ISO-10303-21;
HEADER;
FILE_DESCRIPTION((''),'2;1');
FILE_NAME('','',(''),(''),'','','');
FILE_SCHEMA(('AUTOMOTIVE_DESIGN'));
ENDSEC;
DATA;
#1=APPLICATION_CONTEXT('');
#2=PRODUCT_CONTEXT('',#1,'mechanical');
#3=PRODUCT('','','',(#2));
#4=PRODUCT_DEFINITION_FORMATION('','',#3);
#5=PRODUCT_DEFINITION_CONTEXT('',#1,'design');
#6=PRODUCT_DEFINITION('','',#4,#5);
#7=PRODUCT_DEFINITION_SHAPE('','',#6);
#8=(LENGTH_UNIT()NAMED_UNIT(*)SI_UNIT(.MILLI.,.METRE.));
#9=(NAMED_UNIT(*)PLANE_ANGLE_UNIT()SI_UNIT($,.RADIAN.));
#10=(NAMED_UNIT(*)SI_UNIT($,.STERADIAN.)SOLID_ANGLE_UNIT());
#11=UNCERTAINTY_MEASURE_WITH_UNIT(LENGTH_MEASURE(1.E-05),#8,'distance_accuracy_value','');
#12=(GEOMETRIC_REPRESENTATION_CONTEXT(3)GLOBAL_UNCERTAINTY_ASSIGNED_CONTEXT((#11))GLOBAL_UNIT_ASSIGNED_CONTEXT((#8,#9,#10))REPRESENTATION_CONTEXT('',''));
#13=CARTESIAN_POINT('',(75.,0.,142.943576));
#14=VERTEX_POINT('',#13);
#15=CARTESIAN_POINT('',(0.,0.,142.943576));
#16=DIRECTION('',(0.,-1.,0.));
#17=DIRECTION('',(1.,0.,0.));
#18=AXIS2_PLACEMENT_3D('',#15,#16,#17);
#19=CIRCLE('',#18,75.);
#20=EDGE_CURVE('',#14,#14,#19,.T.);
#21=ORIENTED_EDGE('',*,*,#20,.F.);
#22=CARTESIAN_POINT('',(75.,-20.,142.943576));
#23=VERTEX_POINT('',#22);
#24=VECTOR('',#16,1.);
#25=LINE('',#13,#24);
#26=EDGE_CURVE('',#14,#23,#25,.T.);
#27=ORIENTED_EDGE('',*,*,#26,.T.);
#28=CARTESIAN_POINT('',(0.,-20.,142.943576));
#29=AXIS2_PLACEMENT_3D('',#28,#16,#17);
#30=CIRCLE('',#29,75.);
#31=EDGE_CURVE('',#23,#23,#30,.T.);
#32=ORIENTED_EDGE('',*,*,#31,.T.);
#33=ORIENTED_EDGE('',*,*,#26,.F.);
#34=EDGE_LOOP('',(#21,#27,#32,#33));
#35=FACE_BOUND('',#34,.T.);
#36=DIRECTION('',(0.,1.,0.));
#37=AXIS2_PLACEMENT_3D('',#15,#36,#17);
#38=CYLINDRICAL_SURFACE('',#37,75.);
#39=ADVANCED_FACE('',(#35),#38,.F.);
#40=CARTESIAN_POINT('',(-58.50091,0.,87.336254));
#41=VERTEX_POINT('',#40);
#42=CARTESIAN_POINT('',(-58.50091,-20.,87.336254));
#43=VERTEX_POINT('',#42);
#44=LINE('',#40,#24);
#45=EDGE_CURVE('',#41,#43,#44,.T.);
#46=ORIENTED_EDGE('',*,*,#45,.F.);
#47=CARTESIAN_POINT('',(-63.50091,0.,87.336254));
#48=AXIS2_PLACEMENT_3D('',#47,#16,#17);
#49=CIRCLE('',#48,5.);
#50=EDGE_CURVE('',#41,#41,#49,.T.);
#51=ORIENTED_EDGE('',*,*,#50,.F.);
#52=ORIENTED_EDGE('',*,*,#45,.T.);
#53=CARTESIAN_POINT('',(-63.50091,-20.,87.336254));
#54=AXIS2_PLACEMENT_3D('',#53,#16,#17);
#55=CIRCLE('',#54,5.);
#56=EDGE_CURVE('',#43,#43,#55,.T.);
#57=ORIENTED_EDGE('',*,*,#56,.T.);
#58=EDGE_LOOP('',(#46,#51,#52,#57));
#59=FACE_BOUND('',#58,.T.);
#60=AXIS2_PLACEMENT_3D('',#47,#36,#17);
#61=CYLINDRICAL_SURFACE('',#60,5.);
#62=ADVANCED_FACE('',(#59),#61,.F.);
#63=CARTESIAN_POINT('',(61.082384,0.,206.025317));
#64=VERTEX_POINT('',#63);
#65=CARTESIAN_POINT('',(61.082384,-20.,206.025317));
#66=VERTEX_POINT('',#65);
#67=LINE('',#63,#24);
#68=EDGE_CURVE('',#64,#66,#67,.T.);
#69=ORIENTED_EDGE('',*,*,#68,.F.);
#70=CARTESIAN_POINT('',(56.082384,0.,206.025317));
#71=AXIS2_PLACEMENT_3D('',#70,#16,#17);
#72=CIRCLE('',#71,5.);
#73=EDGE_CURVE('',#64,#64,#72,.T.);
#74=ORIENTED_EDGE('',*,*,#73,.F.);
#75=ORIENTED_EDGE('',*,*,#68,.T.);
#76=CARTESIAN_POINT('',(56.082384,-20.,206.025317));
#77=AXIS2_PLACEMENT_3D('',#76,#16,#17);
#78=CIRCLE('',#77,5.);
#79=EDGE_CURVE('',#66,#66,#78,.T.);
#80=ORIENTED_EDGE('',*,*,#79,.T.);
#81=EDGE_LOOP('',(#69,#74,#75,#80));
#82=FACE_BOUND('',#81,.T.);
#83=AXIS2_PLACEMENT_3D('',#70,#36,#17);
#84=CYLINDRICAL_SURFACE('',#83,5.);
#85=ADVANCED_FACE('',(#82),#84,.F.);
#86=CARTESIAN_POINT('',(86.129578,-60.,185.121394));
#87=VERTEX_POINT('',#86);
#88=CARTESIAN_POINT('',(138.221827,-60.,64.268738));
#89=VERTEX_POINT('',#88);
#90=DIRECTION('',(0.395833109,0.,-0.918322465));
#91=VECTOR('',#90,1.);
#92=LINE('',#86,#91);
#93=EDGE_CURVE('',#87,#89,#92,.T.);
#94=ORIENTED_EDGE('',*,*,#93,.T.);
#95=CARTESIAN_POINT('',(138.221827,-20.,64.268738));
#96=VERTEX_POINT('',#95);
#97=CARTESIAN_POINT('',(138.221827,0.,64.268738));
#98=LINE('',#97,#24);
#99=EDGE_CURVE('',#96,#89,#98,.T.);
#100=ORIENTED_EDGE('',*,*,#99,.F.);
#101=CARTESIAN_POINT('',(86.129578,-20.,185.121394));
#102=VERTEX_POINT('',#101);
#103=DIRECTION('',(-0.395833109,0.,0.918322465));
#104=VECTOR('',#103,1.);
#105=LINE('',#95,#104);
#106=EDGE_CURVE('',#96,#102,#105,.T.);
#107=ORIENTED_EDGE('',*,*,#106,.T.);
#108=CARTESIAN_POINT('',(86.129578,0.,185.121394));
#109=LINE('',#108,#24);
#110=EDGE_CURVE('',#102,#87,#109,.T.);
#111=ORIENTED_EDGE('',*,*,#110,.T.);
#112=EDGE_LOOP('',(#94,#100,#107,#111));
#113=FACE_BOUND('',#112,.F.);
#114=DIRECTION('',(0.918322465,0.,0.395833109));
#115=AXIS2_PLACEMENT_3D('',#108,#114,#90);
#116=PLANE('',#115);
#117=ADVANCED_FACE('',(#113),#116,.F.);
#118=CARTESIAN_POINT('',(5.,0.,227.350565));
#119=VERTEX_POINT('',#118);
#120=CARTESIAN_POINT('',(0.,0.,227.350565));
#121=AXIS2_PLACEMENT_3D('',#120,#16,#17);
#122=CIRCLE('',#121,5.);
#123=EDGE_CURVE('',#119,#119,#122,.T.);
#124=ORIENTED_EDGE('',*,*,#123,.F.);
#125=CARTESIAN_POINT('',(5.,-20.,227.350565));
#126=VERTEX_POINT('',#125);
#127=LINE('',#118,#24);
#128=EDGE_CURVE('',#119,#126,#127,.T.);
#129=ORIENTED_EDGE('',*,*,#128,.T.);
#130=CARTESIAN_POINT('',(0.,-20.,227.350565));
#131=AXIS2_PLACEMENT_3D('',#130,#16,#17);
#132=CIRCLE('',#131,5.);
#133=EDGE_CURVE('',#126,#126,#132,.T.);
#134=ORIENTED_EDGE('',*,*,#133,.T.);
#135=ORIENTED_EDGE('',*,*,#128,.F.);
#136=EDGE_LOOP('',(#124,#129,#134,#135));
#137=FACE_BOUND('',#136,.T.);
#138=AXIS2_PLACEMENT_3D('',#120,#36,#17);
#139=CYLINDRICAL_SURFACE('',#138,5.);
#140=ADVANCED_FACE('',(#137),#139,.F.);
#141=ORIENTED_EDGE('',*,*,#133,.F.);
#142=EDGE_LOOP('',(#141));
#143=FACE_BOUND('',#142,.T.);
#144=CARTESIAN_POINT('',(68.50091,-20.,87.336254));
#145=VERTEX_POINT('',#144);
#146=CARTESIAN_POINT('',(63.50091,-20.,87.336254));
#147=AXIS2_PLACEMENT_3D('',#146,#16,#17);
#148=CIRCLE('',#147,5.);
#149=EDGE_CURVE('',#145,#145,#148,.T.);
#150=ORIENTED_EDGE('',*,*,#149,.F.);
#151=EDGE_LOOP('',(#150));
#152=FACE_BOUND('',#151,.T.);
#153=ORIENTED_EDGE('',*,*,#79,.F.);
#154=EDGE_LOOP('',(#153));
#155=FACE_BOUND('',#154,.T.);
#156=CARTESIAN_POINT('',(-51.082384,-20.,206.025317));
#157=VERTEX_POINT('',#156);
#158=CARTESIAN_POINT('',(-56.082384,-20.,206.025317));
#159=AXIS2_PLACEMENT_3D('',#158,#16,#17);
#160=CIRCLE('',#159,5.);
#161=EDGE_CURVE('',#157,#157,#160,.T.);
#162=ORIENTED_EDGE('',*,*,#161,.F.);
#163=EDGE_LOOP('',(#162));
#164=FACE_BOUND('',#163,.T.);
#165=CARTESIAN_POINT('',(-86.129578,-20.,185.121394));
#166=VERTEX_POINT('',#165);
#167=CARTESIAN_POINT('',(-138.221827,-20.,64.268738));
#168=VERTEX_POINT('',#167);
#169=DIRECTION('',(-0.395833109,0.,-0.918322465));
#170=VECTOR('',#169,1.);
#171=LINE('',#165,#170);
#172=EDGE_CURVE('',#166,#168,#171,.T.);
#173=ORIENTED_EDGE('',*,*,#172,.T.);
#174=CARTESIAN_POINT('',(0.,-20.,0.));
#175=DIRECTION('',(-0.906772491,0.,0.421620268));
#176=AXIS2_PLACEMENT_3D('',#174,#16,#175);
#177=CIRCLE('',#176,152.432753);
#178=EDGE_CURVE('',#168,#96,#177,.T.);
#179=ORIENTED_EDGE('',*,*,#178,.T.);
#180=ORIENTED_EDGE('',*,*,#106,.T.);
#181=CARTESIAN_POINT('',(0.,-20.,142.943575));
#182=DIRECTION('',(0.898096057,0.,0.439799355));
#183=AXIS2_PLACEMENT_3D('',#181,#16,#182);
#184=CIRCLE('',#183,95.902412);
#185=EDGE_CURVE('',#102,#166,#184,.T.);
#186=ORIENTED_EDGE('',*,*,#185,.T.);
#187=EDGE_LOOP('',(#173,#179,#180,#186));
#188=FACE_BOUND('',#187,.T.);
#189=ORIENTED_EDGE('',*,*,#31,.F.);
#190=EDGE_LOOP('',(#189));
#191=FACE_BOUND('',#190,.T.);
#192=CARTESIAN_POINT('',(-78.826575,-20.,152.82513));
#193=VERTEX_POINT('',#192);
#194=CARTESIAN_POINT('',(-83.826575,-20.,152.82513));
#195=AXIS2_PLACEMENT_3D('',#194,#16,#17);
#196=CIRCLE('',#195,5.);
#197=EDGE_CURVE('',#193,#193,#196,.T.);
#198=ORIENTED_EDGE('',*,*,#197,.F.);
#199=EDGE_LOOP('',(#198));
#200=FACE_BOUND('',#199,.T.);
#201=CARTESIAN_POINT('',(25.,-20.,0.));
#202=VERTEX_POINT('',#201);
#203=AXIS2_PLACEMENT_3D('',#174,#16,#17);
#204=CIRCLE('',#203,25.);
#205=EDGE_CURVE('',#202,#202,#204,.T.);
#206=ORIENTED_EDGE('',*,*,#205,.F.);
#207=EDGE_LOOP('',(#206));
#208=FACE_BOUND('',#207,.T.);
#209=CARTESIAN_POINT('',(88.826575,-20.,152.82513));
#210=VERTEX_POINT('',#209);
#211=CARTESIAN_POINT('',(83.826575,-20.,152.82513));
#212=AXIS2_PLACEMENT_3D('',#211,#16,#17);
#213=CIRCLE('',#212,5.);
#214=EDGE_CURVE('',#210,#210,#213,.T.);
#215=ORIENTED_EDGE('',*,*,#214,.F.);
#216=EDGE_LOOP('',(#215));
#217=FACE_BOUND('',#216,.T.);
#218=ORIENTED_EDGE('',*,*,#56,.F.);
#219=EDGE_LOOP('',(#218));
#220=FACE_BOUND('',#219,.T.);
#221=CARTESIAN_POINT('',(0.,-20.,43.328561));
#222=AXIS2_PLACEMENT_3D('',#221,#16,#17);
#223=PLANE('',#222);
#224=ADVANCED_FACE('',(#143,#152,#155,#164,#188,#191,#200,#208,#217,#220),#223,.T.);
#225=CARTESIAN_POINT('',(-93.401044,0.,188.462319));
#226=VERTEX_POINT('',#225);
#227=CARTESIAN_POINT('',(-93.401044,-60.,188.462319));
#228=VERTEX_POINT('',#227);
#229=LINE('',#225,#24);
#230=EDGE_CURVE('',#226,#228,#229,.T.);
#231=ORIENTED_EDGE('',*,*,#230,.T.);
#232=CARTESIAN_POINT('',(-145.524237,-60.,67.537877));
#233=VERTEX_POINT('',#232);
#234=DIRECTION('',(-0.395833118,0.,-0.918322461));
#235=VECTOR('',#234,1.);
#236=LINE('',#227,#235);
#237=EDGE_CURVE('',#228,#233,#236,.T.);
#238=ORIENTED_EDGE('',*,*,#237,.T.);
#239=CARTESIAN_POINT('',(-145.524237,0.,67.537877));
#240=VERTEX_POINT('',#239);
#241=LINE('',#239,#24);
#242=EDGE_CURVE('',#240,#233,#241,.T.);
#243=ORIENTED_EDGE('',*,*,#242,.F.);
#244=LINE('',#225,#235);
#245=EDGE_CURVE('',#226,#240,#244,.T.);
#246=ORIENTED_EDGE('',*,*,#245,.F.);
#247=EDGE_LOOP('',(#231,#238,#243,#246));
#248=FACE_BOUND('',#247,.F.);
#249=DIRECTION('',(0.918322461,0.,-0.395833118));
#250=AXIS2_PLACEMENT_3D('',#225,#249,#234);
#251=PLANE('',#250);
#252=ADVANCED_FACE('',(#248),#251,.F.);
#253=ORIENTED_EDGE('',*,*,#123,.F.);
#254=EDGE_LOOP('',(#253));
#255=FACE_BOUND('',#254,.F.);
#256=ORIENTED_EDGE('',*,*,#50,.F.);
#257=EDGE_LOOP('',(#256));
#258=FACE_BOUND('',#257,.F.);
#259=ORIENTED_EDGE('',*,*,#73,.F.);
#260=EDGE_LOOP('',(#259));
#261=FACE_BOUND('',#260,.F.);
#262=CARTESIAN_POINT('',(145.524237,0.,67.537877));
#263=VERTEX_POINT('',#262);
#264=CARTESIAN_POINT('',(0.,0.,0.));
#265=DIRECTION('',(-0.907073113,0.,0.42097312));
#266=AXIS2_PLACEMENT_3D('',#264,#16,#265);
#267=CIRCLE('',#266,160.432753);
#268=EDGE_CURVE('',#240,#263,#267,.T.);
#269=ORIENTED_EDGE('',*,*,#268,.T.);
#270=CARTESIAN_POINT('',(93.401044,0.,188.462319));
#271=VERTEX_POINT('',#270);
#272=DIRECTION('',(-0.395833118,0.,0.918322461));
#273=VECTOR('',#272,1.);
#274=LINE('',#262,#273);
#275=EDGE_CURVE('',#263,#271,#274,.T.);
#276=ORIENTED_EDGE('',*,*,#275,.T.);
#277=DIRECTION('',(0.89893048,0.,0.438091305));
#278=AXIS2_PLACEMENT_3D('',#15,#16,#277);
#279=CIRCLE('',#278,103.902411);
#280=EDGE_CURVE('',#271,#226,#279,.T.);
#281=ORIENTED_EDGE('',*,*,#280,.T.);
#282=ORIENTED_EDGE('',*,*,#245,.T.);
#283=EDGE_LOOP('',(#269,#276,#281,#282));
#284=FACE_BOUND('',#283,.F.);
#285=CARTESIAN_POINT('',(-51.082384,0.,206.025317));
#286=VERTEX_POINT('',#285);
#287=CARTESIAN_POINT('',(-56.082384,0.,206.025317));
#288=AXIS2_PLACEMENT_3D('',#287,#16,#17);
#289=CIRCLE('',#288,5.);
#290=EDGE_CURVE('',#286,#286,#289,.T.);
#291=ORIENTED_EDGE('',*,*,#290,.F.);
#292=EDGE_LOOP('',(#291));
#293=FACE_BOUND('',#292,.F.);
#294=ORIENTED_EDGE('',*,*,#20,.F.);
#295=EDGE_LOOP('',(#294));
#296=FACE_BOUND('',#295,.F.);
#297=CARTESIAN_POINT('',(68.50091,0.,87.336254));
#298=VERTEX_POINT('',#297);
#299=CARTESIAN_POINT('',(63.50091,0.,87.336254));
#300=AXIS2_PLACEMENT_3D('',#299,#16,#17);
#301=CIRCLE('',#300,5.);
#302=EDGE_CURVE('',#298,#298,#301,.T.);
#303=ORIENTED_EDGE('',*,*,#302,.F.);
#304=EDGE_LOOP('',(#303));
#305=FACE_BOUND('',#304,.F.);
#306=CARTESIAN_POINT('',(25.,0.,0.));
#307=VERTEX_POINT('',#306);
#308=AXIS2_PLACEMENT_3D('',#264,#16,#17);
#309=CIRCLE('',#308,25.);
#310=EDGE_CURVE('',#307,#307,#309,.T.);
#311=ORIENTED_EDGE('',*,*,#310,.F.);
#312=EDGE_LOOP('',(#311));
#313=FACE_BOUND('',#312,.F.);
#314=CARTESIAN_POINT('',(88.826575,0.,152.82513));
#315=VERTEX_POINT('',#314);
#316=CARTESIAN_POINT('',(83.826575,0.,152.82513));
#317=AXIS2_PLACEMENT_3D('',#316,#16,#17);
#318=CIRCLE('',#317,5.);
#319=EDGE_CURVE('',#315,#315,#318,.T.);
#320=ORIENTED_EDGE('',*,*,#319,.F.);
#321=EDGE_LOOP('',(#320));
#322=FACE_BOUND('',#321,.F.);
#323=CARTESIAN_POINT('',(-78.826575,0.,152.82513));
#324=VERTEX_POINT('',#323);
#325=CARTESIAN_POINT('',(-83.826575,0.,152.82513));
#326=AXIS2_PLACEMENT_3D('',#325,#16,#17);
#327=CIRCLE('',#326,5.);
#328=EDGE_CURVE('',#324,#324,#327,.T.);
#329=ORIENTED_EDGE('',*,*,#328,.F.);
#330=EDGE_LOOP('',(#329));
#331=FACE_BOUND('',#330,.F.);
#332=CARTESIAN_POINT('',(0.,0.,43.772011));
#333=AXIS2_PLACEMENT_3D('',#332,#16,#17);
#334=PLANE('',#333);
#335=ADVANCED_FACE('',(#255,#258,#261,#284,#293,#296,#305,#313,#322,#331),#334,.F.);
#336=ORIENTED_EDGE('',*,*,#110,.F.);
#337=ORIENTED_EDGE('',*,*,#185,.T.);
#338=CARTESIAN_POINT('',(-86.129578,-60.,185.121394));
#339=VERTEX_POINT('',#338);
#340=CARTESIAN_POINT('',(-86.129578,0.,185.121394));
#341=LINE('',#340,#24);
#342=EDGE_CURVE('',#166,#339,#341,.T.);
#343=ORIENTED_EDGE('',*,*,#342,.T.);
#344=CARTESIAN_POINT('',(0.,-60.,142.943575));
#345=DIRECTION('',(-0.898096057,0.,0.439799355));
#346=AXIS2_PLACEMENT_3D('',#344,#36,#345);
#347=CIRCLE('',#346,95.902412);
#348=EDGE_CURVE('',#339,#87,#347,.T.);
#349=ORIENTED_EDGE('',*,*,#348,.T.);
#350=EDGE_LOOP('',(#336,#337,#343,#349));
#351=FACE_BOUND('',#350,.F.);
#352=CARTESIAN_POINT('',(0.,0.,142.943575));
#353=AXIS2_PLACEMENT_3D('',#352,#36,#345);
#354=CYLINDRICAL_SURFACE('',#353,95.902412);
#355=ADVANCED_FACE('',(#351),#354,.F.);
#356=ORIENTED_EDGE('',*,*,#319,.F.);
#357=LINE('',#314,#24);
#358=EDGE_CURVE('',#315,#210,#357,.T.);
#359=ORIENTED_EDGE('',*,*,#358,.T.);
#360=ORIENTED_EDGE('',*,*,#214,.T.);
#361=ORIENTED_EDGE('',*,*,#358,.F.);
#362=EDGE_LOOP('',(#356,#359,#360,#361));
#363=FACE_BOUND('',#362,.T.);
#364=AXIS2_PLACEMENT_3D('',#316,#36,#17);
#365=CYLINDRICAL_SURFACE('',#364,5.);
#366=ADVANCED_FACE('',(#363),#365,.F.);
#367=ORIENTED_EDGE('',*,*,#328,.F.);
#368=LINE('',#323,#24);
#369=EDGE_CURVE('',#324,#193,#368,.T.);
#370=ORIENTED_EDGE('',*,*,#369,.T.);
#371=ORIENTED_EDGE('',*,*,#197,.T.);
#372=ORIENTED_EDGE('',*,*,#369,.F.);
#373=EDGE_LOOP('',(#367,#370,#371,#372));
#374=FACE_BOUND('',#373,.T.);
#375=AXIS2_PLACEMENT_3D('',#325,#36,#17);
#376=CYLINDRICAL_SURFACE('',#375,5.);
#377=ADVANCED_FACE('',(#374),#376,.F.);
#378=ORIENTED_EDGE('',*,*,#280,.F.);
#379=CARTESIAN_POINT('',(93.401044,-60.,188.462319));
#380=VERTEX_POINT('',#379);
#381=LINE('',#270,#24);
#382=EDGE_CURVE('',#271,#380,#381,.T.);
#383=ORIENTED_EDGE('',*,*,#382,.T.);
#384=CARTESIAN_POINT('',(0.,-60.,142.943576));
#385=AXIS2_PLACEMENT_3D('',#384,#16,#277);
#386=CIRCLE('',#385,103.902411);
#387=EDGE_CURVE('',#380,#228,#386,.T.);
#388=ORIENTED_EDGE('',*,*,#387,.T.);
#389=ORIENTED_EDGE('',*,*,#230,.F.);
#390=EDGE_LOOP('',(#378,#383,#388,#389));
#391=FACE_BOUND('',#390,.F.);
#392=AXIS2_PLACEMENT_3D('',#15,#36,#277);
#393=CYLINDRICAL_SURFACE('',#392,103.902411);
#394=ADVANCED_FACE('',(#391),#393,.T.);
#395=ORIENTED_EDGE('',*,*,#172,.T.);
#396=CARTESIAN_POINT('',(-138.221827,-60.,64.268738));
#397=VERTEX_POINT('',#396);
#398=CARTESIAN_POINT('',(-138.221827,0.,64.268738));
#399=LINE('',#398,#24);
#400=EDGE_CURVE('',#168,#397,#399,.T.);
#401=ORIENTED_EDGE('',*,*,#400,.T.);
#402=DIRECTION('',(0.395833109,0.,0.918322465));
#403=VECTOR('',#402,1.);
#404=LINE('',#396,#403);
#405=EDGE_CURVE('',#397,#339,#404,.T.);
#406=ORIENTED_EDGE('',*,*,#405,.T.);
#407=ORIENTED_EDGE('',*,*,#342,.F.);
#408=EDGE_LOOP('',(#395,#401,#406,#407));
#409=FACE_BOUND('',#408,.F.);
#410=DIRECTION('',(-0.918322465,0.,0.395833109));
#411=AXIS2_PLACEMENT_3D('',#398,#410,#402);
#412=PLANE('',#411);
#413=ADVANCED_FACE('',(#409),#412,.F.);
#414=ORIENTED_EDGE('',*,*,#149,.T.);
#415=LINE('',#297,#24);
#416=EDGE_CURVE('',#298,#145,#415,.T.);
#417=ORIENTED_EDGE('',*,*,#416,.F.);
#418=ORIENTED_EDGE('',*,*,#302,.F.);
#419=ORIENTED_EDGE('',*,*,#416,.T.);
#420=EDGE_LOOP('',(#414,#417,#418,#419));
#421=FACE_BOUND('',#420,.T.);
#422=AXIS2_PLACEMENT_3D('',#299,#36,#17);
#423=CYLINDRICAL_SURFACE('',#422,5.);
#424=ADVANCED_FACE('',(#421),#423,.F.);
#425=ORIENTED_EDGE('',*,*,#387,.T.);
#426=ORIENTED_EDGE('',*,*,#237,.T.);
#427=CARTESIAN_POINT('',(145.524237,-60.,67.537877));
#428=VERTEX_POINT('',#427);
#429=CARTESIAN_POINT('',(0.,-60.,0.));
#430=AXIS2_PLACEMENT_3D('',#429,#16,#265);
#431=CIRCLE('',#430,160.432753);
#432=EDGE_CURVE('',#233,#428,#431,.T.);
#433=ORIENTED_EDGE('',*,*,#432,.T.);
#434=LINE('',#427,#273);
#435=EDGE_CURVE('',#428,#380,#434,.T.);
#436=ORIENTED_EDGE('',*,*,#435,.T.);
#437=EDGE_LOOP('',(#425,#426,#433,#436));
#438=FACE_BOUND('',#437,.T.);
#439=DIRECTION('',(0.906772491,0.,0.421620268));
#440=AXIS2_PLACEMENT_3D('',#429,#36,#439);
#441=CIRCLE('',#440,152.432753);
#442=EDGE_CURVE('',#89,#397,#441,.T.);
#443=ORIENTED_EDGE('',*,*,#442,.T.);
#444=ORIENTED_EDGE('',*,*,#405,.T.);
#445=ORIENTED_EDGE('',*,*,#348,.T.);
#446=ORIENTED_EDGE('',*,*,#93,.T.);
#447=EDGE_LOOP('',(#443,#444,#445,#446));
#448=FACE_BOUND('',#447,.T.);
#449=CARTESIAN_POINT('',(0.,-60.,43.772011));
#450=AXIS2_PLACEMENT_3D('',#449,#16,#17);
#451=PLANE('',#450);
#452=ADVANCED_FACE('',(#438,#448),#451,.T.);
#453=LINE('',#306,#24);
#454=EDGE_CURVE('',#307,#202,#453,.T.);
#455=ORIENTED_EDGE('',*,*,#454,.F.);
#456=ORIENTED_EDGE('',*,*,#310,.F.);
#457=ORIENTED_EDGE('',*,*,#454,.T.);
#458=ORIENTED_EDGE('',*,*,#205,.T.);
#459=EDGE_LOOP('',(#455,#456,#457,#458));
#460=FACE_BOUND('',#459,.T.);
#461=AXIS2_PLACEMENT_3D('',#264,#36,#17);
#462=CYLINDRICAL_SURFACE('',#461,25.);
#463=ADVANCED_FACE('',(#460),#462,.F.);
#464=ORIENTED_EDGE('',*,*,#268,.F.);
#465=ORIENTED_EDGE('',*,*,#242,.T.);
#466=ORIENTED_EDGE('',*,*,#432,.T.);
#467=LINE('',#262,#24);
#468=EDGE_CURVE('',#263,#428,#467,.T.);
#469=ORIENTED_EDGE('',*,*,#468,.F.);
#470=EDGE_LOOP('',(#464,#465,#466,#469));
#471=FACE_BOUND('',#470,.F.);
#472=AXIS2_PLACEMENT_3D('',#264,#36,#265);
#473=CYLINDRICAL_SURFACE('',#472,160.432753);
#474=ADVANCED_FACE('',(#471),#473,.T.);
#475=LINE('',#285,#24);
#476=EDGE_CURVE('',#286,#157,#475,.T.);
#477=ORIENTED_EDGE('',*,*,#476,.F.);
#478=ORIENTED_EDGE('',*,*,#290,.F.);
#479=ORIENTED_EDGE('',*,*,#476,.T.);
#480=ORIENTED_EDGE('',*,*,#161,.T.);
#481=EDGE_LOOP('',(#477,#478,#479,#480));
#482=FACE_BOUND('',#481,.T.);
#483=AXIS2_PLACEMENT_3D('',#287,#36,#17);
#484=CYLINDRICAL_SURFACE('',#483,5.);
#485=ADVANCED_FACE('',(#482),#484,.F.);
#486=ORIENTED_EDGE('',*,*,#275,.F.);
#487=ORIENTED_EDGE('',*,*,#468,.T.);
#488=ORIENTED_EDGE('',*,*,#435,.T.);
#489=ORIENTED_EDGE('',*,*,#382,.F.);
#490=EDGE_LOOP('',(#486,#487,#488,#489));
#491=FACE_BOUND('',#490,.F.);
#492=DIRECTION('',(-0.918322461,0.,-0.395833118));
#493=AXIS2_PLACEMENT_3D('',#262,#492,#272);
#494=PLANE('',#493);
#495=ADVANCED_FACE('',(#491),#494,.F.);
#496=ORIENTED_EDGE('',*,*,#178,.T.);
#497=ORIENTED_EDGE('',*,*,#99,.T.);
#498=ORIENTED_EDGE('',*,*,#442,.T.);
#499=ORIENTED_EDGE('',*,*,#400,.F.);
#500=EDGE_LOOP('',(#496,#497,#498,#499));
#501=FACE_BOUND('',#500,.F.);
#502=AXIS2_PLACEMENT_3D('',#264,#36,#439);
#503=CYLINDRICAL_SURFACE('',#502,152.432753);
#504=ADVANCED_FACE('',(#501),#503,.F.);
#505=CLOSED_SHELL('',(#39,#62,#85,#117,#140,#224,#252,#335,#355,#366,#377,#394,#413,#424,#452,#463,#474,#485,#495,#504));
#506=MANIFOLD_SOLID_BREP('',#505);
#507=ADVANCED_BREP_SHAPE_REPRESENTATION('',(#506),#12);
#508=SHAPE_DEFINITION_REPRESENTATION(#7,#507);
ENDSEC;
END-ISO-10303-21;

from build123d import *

# Parameters (mm, degrees)
F0_R     = 25
F0_R_2   = 5
F0_R_3   = 75
F1_DEPTH = 20
F2_DEPTH = 60


with BuildPart() as f1:
    # F0 (on Front) → F1 (new body)
    with BuildSketch(Plane.XZ):
        with BuildLine():
            ThreePointArc((86.129578, 185.121394), (0, 238.845987), (-86.129578, 185.121394))
            Line((-86.129578, 185.121394), (-138.221827, 64.268738))
            ThreePointArc((-138.221827, 64.268738), (0, -152.432753), (138.221827, 64.268738))
            Line((138.221827, 64.268738), (86.129578, 185.121394))
        make_face()
        Circle(F0_R, mode=Mode.SUBTRACT)
        with Locations((-63.50091, 87.336254)):
            Circle(F0_R_2, mode=Mode.SUBTRACT)
        with Locations((-83.826575, 152.82513)):
            Circle(F0_R_2, mode=Mode.SUBTRACT)
        with Locations((-56.082384, 206.025317)):
            Circle(F0_R_2, mode=Mode.SUBTRACT)
        with Locations((63.50091, 87.336254)):
            Circle(F0_R_2, mode=Mode.SUBTRACT)
        with Locations((0, 142.943576)):
            Circle(F0_R_3, mode=Mode.SUBTRACT)
        with Locations((0, 227.350565)):
            Circle(F0_R_2, mode=Mode.SUBTRACT)
        with Locations((56.082384, 206.025317)):
            Circle(F0_R_2, mode=Mode.SUBTRACT)
        with Locations((83.826575, 152.82513)):
            Circle(F0_R_2, mode=Mode.SUBTRACT)
    extrude(amount=F1_DEPTH)

    # F0 (on Front) → F2 (join)
    with BuildSketch(Plane.XZ):
        with BuildLine():
            Line((145.524237, 67.537877), (93.401044, 188.462319))
            ThreePointArc((93.401044, 188.462319), (0, 246.845987), (-93.401044, 188.462319))
            Line((-93.401044, 188.462319), (-145.524237, 67.537877))
            ThreePointArc((-145.524237, 67.537877), (0, -160.432753), (145.524237, 67.537877))
        make_face()
        with BuildLine():
            Line((-138.221827, 64.268738), (-86.129578, 185.121394))
            ThreePointArc((-86.129578, 185.121394), (0, 238.845987), (86.129578, 185.121394))
            Line((86.129578, 185.121394), (138.221827, 64.268738))
            ThreePointArc((138.221827, 64.268738), (0, -152.432753), (-138.221827, 64.268738))
        make_face(mode=Mode.SUBTRACT)
    extrude(amount=F2_DEPTH)


solid = f1.part
